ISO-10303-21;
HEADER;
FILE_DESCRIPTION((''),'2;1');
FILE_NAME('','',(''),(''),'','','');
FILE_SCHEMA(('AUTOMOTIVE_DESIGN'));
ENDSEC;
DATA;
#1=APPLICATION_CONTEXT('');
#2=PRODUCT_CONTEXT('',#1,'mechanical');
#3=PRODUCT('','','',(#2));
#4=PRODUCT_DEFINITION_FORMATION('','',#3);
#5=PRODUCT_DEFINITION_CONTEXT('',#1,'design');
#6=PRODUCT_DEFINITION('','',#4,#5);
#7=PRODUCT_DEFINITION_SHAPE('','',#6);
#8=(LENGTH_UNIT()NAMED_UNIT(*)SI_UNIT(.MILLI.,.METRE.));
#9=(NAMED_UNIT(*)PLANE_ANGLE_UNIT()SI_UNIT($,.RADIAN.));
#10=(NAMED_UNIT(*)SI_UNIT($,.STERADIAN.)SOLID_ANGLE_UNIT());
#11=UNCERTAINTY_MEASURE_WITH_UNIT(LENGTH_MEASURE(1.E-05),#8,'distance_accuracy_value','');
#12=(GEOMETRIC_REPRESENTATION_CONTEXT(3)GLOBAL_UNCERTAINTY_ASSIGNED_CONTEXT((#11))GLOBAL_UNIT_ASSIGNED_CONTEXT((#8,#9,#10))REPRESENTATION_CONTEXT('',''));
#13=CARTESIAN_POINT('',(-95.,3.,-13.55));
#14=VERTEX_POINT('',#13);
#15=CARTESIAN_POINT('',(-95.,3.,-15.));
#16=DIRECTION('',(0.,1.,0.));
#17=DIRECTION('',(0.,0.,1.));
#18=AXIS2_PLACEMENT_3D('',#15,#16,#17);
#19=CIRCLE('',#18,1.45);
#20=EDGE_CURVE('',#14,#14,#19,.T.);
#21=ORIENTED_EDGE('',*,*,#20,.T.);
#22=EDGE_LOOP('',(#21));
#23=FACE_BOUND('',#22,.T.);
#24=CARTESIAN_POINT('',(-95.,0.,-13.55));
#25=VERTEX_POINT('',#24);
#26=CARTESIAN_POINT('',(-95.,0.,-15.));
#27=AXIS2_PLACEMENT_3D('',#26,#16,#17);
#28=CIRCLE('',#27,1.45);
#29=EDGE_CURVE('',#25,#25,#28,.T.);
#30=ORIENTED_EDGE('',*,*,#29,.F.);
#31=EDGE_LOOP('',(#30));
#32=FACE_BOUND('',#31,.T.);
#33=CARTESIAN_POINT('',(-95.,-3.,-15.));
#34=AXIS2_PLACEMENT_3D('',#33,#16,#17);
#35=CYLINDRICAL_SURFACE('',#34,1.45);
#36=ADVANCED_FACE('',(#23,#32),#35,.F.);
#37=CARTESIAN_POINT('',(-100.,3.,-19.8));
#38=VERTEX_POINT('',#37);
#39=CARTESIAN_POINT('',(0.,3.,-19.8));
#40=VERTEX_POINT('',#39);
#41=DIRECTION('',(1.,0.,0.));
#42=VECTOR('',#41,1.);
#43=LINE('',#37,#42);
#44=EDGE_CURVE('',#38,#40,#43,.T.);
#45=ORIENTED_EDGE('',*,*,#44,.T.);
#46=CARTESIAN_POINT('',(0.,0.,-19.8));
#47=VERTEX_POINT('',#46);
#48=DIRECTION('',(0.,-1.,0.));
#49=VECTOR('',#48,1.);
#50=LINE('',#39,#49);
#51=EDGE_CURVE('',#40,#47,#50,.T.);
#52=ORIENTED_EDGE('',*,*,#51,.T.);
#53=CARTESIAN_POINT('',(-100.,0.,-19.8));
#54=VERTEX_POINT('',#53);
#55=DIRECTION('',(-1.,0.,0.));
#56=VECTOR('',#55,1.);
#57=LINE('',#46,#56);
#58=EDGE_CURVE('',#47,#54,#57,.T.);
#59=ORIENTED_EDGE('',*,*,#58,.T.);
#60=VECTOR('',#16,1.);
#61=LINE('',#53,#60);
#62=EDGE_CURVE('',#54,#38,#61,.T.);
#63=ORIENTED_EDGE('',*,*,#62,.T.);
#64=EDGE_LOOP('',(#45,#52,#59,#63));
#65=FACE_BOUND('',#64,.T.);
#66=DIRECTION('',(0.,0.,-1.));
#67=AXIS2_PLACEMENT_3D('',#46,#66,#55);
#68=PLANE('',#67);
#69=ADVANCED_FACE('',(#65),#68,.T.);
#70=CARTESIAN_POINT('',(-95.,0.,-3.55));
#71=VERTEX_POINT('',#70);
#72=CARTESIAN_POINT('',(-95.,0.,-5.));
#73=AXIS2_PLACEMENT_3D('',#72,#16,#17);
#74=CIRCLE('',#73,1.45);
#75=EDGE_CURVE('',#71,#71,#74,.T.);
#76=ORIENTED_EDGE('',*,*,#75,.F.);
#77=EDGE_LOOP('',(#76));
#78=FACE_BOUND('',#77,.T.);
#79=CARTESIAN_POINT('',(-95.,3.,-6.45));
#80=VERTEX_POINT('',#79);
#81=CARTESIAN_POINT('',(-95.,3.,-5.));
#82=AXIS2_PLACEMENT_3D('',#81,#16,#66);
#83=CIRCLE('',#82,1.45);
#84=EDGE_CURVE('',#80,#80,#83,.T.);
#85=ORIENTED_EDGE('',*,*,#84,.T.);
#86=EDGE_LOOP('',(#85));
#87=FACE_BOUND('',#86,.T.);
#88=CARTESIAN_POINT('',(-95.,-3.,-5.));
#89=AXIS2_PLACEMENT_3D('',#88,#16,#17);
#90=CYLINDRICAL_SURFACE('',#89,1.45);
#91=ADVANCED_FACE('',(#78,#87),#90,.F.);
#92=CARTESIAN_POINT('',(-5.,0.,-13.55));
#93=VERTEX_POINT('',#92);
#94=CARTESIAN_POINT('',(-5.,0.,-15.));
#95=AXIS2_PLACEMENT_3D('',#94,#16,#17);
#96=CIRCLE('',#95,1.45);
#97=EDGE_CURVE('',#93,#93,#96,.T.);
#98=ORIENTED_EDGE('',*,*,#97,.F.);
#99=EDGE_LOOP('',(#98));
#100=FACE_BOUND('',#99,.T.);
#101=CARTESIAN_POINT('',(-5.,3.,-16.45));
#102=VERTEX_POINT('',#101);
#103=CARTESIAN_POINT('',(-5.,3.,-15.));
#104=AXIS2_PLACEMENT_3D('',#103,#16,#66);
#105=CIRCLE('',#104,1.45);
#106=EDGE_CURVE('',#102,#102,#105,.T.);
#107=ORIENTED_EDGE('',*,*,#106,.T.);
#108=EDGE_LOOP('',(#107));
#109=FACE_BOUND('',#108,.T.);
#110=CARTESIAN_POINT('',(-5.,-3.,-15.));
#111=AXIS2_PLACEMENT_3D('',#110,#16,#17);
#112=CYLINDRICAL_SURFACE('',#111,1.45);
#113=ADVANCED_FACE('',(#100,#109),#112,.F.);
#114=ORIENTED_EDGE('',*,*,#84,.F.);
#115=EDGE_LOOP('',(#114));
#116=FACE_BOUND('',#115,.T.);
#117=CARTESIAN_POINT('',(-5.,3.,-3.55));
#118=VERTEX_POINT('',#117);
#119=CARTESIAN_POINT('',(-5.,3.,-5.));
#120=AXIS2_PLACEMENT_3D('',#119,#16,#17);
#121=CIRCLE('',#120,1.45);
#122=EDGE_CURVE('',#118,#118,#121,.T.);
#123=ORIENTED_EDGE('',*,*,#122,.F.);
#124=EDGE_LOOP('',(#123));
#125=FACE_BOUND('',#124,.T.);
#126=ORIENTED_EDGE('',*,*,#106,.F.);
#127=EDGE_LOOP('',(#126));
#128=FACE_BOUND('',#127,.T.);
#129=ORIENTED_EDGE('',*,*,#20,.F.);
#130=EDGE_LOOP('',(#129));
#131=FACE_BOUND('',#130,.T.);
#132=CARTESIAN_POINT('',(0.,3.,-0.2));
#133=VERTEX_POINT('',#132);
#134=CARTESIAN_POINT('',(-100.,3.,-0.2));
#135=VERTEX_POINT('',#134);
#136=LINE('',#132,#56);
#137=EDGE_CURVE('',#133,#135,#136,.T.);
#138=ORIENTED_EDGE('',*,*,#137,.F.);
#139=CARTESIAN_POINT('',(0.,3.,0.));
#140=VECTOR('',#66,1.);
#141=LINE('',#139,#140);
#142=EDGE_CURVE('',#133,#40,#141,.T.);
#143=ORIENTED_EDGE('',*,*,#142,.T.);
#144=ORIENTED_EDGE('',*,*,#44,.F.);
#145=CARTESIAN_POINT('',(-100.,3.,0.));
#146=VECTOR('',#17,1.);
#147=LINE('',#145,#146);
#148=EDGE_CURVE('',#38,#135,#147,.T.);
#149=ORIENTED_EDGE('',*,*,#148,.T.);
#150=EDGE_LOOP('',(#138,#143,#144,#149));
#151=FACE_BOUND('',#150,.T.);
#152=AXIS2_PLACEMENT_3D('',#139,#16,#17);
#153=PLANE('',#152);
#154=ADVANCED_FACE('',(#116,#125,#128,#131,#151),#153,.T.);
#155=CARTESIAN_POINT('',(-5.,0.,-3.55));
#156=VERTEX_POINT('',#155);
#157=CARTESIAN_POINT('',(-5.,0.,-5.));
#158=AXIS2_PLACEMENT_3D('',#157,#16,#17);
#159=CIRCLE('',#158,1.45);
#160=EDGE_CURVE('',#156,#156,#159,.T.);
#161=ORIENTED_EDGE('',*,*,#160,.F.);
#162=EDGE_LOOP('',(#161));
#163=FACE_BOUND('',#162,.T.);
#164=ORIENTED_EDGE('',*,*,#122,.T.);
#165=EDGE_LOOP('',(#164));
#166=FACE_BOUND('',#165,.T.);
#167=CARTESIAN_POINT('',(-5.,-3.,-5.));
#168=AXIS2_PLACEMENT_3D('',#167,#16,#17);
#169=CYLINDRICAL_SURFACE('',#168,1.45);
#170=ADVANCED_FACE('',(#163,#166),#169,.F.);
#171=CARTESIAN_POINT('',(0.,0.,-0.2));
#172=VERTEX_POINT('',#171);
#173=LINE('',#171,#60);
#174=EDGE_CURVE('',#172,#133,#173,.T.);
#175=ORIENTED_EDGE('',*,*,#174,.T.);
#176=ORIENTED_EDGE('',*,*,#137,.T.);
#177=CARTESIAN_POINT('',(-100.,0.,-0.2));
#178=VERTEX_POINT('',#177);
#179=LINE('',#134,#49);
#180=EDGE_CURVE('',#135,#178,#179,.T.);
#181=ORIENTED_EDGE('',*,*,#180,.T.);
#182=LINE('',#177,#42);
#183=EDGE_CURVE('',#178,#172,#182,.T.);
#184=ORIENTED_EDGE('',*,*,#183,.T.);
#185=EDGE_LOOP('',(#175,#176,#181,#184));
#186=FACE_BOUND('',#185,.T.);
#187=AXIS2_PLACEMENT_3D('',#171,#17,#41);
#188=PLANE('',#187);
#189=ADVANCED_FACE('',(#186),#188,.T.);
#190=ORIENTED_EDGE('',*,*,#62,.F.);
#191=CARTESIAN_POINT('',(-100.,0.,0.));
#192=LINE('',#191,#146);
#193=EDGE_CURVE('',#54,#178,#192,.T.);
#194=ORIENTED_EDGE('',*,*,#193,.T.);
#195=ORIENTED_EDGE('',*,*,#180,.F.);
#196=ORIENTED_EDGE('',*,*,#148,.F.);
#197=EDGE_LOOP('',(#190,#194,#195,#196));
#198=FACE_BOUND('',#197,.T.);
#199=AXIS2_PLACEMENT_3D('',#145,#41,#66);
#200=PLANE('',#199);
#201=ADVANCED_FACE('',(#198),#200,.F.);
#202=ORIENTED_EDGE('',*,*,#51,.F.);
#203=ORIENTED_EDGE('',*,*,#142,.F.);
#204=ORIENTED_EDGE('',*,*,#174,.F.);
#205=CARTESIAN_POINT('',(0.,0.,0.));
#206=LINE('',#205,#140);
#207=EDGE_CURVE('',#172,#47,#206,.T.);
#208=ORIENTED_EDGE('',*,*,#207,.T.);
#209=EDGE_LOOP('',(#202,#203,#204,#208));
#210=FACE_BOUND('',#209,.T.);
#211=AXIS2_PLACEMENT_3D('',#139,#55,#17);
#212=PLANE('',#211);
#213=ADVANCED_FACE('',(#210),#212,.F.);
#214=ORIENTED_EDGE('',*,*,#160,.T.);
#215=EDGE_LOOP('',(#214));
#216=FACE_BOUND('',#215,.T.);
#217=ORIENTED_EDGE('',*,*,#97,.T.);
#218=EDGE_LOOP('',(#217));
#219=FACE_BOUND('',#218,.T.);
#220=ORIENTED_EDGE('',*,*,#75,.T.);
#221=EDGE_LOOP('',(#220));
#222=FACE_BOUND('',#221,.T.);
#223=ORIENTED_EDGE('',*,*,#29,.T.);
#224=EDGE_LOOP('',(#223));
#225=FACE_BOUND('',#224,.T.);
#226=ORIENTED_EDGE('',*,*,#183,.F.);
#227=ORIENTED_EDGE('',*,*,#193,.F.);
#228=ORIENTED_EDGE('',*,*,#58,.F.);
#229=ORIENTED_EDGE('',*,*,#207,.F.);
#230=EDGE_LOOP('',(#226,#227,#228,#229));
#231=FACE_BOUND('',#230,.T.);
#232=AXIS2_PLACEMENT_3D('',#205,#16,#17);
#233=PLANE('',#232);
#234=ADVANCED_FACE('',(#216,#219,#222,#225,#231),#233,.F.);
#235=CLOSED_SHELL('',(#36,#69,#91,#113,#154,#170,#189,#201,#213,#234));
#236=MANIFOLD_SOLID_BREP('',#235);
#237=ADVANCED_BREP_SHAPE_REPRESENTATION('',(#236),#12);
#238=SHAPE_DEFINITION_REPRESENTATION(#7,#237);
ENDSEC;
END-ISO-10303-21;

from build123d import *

# Parameters (mm, degrees)
SKETCH_1_W          = 100
SKETCH_1_H          = 20
EXTRUDE_1_DEPTH     = 3
SKETCH_2_R          = 1.45
CUT_EXTRUDE_1_DEPTH = 6
SKETCH_3_W          = 100
SKETCH_3_H          = 3
CUT_EXTRUDE_2_DEPTH = 0.2
SKETCH_5_W          = 100
SKETCH_5_H          = 3
CUT_EXTRUDE_3_DEPTH = 0.2


with BuildPart() as part:
    # 草图1 → 凸台-拉伸1 (new body)
    with BuildSketch(Plane(origin=(0, 0, 0), x_dir=(1, 0, 0), z_dir=(0, 1, 0))):
        with Locations((-50, 10)):
            Rectangle(SKETCH_1_W, SKETCH_1_H)
    extrude(amount=EXTRUDE_1_DEPTH)

    # 草图2 → 切除-拉伸1 (cut)
    with BuildSketch(Plane(origin=(0, 3, 0), x_dir=(1, 0, 0), z_dir=(0, 1, 0))):
        with Locations(Location((-95, 15, 0), (0, 0, 270))):
            Circle(SKETCH_2_R)
        with Locations(Location((-95, 5, 0), (0, 0, 270))):
            Circle(SKETCH_2_R)
        with Locations(Location((-5, 5, 0), (0, 0, 270))):
            Circle(SKETCH_2_R)
        with Locations(Location((-5, 15, 0), (0, 0, 270))):
            Circle(SKETCH_2_R)
    extrude(amount=-CUT_EXTRUDE_1_DEPTH, mode=Mode.SUBTRACT)

    # 草图3 → 切除-拉伸2 (cut)
    with BuildSketch(Plane.XY):
        with Locations((-50, 1.5)):
            Rectangle(SKETCH_3_W, SKETCH_3_H)
    extrude(amount=-CUT_EXTRUDE_2_DEPTH, mode=Mode.SUBTRACT)

    # 草图5 → 切除-拉伸3 (cut)
    with BuildSketch(Plane(origin=(0, 0, -20), x_dir=(-1, 0, 0), z_dir=(0, 0, -1))):
        with Locations((50, 1.5)):
            Rectangle(SKETCH_5_W, SKETCH_5_H)
    extrude(amount=-CUT_EXTRUDE_3_DEPTH, mode=Mode.SUBTRACT)


solid = part.part
